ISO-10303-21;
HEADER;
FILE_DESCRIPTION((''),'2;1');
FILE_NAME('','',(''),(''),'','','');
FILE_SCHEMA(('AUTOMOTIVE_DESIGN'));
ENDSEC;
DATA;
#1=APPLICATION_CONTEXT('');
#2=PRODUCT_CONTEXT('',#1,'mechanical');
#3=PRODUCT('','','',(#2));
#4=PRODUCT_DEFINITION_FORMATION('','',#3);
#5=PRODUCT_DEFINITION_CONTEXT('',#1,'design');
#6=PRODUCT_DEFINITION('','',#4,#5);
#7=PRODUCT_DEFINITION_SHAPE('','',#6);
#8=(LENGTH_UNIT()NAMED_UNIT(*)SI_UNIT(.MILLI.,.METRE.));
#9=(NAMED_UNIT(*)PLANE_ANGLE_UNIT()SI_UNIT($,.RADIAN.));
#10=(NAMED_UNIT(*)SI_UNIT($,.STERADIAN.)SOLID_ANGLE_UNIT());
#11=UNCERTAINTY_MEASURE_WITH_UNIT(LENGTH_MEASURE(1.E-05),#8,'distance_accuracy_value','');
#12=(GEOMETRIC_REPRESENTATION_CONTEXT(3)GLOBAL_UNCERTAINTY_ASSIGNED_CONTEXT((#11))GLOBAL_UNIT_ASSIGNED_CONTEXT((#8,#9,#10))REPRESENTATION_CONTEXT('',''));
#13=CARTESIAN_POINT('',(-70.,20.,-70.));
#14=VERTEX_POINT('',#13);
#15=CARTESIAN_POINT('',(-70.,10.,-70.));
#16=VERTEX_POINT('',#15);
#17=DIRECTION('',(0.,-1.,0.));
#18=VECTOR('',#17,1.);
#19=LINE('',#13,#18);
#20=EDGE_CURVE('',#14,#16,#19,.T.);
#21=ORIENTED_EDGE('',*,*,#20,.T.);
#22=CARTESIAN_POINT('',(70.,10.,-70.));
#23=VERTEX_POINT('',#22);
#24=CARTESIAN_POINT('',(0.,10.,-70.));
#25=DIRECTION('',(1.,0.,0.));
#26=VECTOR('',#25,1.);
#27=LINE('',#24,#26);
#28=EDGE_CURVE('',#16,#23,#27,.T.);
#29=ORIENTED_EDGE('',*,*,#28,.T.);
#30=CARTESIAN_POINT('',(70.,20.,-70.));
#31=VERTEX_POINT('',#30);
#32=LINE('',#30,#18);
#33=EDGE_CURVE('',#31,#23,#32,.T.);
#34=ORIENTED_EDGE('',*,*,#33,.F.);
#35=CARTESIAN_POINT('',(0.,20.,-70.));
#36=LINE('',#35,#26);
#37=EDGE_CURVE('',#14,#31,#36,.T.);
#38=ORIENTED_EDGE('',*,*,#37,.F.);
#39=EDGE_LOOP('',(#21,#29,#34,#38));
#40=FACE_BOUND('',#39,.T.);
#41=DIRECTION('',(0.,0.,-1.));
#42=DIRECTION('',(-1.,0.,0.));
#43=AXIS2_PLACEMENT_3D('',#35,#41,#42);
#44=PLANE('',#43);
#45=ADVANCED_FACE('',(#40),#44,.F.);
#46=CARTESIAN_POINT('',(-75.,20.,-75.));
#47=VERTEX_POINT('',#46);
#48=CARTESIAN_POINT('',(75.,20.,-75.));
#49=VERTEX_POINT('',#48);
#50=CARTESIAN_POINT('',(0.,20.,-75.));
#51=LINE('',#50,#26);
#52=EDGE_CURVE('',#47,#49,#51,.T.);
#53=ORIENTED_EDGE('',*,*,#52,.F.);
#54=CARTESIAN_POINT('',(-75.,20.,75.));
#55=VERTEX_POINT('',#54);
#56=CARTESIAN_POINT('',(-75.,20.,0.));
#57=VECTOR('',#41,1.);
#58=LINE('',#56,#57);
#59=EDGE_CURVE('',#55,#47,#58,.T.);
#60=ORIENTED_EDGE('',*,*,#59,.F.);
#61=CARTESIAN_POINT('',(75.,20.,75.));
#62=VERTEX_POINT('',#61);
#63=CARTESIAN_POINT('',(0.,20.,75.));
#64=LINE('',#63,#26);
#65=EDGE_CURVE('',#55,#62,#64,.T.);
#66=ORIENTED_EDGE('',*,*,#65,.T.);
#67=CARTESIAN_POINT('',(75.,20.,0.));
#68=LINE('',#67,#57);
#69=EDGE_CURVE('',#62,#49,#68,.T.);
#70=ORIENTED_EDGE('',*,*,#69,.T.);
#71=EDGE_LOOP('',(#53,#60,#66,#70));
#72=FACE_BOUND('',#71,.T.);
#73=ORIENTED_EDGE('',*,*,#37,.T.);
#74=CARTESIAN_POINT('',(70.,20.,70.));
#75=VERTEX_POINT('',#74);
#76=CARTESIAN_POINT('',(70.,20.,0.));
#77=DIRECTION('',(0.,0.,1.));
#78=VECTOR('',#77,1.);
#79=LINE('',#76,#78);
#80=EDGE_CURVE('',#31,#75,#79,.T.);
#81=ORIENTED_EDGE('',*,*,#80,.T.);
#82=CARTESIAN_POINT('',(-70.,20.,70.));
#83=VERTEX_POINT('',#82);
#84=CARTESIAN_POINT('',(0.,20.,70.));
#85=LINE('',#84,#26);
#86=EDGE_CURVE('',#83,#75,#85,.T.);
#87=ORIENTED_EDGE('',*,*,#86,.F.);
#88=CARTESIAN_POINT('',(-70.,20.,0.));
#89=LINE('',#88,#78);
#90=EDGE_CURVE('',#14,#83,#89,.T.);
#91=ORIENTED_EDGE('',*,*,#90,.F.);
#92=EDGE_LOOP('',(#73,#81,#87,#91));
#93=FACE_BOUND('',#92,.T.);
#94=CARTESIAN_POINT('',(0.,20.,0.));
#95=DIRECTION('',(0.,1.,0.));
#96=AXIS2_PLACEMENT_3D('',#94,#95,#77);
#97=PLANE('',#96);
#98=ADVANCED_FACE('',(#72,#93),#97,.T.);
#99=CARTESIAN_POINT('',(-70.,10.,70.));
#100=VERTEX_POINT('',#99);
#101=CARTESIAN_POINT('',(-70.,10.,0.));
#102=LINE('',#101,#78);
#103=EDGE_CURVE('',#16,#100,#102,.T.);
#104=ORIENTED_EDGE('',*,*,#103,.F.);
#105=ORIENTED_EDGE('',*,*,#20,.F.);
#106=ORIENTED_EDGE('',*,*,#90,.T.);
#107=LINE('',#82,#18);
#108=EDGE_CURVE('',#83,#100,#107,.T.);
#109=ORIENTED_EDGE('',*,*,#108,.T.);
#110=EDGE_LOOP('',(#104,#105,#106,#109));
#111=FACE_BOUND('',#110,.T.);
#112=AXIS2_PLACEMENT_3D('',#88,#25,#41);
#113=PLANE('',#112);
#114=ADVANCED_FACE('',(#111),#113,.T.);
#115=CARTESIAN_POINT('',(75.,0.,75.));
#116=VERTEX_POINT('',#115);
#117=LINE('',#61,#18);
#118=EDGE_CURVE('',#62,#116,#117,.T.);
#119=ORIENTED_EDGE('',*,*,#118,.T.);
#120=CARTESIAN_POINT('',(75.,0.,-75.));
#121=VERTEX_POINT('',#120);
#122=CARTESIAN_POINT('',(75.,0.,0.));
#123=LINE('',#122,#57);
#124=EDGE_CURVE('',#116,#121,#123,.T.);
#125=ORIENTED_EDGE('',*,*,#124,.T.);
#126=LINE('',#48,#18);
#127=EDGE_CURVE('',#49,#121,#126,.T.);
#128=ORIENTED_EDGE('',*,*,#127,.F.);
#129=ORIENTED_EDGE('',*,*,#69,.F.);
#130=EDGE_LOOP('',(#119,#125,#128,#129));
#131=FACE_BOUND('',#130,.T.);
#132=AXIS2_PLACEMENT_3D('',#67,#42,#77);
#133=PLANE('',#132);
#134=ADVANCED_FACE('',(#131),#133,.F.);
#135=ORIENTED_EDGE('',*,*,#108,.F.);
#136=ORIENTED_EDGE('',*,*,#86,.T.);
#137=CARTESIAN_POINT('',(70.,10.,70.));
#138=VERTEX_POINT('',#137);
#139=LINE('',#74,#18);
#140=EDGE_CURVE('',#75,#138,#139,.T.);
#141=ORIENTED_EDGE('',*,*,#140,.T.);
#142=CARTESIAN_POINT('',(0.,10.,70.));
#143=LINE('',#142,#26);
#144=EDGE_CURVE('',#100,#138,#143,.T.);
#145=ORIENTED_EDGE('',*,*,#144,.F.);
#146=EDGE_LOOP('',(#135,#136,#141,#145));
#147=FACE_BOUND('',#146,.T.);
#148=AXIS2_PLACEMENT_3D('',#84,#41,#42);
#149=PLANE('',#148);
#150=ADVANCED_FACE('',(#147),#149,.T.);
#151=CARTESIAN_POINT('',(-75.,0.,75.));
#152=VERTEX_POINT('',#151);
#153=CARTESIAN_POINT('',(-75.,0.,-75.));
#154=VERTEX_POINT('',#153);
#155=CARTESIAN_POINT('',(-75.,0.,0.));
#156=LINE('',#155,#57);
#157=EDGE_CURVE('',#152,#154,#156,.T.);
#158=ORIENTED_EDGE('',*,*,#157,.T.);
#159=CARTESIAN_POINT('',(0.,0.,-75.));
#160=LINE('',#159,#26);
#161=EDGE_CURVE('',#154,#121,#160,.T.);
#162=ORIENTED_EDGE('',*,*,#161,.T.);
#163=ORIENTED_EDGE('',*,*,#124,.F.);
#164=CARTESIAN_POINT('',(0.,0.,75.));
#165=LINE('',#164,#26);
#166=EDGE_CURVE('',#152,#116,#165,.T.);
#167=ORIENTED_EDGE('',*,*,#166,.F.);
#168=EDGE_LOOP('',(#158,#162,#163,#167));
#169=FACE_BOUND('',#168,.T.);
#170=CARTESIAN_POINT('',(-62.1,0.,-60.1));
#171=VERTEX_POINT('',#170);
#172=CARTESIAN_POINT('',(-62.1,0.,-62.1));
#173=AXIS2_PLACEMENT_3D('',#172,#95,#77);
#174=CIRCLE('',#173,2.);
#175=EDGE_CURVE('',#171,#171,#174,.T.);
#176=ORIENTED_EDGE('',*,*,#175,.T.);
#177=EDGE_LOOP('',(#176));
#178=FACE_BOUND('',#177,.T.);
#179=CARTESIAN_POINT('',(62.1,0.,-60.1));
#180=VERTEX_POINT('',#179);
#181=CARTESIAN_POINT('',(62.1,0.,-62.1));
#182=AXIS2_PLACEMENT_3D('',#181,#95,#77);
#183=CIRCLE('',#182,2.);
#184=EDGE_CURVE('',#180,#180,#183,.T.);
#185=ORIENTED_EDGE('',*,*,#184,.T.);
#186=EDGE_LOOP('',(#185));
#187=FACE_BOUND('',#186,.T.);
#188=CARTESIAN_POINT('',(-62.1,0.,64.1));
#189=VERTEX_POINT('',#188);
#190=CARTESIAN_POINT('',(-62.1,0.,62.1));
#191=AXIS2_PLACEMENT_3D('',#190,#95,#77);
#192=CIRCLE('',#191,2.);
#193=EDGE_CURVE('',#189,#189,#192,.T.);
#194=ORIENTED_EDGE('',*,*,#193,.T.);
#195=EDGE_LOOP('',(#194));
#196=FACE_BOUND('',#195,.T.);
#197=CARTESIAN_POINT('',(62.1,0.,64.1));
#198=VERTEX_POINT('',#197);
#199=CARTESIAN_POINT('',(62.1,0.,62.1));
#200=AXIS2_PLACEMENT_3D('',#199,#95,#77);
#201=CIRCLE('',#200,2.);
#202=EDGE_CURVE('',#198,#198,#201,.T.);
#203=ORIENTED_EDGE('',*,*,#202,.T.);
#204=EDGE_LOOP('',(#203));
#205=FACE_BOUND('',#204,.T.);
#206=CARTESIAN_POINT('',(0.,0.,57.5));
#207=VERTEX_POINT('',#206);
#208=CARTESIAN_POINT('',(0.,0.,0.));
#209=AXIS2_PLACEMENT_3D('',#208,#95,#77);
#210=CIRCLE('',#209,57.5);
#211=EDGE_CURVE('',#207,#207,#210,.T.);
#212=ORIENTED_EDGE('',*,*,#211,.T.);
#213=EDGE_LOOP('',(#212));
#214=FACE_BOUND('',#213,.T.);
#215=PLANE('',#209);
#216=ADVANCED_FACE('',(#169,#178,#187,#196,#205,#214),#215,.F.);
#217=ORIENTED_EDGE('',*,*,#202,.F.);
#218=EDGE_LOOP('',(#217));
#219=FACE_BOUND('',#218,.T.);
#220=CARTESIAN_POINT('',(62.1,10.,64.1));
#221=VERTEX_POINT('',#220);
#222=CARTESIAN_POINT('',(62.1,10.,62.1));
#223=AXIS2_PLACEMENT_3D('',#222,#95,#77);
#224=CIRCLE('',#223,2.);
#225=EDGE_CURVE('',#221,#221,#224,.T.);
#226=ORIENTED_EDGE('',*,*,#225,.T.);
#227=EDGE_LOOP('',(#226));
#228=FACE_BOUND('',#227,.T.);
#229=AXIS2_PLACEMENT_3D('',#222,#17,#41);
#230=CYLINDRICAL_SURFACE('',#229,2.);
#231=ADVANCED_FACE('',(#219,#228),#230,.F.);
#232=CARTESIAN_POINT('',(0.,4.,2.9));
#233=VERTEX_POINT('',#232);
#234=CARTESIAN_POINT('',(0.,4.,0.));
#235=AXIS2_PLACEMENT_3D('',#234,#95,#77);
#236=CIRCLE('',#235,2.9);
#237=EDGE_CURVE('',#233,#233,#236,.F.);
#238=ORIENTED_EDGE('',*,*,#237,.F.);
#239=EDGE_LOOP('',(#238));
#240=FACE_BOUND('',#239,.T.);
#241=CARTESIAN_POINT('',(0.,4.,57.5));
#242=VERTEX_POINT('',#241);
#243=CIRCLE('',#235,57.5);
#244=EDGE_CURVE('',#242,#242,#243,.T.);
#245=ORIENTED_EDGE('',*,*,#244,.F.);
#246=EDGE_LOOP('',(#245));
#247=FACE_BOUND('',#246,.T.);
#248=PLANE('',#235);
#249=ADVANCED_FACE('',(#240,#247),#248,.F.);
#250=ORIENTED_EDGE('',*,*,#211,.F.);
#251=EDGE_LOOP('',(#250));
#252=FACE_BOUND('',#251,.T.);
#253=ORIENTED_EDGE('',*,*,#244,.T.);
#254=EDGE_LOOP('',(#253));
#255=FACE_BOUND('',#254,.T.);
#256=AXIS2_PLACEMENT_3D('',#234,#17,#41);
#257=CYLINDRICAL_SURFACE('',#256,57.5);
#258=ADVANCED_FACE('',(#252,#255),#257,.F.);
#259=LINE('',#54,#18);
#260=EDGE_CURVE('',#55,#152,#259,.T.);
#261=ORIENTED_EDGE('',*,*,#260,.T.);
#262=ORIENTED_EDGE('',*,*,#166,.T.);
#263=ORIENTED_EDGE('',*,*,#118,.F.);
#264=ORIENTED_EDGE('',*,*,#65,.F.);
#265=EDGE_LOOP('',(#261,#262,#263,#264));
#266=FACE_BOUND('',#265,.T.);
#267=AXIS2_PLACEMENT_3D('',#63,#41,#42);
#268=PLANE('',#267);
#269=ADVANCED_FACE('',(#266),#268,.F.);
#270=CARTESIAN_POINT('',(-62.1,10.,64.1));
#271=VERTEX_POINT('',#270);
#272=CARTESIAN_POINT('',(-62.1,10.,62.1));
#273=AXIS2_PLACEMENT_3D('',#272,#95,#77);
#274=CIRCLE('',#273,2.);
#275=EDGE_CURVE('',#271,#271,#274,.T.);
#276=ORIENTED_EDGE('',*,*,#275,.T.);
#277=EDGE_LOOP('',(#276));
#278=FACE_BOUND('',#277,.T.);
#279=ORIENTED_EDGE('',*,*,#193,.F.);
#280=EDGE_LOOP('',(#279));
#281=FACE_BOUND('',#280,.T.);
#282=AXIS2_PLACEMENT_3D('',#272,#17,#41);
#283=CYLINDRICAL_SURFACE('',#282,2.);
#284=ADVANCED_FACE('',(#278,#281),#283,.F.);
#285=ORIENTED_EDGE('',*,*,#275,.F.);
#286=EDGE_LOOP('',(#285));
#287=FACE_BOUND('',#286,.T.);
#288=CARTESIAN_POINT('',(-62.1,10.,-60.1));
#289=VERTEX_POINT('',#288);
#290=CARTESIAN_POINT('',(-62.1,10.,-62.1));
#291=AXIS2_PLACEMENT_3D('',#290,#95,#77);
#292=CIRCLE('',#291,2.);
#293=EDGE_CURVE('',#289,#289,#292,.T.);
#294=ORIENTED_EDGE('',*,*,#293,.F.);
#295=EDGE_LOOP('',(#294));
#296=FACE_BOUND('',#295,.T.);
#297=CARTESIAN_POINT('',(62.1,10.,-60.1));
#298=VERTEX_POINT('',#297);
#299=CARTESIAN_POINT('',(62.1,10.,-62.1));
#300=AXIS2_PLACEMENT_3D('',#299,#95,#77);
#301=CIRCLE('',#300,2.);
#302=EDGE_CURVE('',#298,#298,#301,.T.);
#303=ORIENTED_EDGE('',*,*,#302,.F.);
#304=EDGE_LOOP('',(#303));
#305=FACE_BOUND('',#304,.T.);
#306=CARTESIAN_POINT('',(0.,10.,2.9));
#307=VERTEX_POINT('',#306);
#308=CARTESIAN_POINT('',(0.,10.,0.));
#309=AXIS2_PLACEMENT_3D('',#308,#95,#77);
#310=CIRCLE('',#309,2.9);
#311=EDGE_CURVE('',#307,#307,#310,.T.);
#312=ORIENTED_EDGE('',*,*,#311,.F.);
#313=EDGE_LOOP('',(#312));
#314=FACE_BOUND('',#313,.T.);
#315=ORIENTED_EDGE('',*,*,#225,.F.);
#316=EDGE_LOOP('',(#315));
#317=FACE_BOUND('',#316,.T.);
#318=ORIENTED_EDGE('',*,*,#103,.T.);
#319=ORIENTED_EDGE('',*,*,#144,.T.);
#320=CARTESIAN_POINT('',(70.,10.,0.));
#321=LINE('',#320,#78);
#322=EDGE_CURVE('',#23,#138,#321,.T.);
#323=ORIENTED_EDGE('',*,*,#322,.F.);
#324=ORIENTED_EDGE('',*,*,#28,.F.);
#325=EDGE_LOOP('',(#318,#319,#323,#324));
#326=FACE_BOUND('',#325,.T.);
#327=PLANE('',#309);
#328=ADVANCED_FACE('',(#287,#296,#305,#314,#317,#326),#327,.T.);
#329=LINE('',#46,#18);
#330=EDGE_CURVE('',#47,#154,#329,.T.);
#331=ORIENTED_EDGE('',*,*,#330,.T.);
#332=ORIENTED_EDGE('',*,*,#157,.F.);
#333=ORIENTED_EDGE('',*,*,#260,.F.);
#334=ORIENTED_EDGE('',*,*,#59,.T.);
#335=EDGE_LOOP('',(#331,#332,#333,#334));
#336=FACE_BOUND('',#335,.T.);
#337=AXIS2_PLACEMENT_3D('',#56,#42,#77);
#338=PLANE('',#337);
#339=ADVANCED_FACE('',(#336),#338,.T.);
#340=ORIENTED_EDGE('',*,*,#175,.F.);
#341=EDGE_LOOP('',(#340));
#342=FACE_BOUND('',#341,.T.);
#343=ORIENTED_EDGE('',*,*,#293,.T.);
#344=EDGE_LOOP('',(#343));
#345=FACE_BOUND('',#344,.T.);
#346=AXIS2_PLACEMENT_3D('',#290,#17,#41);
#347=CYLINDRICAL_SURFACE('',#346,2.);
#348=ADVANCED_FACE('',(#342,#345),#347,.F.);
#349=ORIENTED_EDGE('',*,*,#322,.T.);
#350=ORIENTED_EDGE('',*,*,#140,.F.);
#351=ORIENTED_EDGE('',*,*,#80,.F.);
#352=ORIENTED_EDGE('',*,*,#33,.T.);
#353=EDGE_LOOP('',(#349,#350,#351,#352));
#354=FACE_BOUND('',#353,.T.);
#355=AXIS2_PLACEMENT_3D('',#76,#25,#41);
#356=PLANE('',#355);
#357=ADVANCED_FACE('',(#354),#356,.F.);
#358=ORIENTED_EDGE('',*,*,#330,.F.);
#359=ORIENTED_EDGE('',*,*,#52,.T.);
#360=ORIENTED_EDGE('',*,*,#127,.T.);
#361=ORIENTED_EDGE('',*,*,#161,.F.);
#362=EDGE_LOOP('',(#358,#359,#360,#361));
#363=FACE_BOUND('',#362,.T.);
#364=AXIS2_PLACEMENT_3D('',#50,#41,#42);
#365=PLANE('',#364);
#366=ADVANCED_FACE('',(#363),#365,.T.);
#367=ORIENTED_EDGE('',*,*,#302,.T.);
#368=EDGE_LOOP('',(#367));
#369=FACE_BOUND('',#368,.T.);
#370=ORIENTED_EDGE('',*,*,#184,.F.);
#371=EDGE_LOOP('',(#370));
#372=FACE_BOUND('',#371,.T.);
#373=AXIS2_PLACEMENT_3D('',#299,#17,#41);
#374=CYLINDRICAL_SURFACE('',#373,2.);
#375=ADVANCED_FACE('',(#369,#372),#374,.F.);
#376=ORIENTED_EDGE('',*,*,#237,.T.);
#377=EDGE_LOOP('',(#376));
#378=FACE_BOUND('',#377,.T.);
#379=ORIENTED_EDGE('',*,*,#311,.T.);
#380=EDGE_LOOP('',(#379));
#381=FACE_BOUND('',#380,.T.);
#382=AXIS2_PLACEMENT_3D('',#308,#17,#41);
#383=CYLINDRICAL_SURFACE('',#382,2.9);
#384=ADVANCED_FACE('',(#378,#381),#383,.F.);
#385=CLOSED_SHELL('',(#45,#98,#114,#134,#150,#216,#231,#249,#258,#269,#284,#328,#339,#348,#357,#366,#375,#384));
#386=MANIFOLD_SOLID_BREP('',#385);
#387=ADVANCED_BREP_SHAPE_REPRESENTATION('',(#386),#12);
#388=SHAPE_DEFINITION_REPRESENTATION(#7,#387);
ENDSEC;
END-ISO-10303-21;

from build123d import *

# Parameters (mm, degrees)
SKETCH1_W           = 150
SKETCH1_H           = 150
SKETCH1_W_2         = 140
SKETCH1_H_2         = 140
BOSS_EXTRUDE1_DEPTH = 20
SKETCH1_3_W         = 140
SKETCH1_3_H         = 140
SKETCH1_3_R         = 2
BOSS_EXTRUDE2_DEPTH = 10
SKETCH1_4_R         = 57.5
CUT_EXTRUDE1_DEPTH  = 4
SKETCH1_5_R         = 2.9
CUT_EXTRUDE2_DEPTH  = 10


with BuildPart() as part:
    # Sketch1 → Boss-Extrude1 (new body)
    with BuildSketch(Plane(origin=(0, 0, 0), x_dir=(1, 0, 0), z_dir=(0, 1, 0))):
        Rectangle(SKETCH1_W, SKETCH1_H)
        Rectangle(SKETCH1_W_2, SKETCH1_H_2, mode=Mode.SUBTRACT)
    extrude(amount=BOSS_EXTRUDE1_DEPTH)

    # Sketch1<3> → Boss-Extrude2 (add)
    with BuildSketch(Plane(origin=(0, 0, 0), x_dir=(1, 0, 0), z_dir=(0, 1, 0))):
        Rectangle(SKETCH1_3_W, SKETCH1_3_H)
        with Locations(Location((-62.1, -62.1, 0), (0, 0, 270))):
            Circle(SKETCH1_3_R, mode=Mode.SUBTRACT)
        with Locations(Location((62.1, -62.1, 0), (0, 0, 270))):
            Circle(SKETCH1_3_R, mode=Mode.SUBTRACT)
        with Locations(Location((-62.1, 62.1, 0), (0, 0, 270))):
            Circle(SKETCH1_3_R, mode=Mode.SUBTRACT)
        with Locations(Location((62.1, 62.1, 0), (0, 0, 270))):
            Circle(SKETCH1_3_R, mode=Mode.SUBTRACT)
    extrude(amount=BOSS_EXTRUDE2_DEPTH)

    # Sketch1<4> → Cut-Extrude1 (cut)
    with BuildSketch(Plane(origin=(0, 0, 0), x_dir=(1, 0, 0), z_dir=(0, 1, 0))):
        with Locations(Location((0, 0, 0), (0, 0, 270))):
            Circle(SKETCH1_4_R)
    extrude(amount=CUT_EXTRUDE1_DEPTH, mode=Mode.SUBTRACT)

    # Sketch1<5> → Cut-Extrude2 (cut)
    with BuildSketch(Plane(origin=(0, 0, 0), x_dir=(1, 0, 0), z_dir=(0, 1, 0))):
        with Locations(Location((0, 0, 0), (0, 0, 270))):
            Circle(SKETCH1_5_R)
    extrude(amount=CUT_EXTRUDE2_DEPTH, mode=Mode.SUBTRACT)


solid = part.part
